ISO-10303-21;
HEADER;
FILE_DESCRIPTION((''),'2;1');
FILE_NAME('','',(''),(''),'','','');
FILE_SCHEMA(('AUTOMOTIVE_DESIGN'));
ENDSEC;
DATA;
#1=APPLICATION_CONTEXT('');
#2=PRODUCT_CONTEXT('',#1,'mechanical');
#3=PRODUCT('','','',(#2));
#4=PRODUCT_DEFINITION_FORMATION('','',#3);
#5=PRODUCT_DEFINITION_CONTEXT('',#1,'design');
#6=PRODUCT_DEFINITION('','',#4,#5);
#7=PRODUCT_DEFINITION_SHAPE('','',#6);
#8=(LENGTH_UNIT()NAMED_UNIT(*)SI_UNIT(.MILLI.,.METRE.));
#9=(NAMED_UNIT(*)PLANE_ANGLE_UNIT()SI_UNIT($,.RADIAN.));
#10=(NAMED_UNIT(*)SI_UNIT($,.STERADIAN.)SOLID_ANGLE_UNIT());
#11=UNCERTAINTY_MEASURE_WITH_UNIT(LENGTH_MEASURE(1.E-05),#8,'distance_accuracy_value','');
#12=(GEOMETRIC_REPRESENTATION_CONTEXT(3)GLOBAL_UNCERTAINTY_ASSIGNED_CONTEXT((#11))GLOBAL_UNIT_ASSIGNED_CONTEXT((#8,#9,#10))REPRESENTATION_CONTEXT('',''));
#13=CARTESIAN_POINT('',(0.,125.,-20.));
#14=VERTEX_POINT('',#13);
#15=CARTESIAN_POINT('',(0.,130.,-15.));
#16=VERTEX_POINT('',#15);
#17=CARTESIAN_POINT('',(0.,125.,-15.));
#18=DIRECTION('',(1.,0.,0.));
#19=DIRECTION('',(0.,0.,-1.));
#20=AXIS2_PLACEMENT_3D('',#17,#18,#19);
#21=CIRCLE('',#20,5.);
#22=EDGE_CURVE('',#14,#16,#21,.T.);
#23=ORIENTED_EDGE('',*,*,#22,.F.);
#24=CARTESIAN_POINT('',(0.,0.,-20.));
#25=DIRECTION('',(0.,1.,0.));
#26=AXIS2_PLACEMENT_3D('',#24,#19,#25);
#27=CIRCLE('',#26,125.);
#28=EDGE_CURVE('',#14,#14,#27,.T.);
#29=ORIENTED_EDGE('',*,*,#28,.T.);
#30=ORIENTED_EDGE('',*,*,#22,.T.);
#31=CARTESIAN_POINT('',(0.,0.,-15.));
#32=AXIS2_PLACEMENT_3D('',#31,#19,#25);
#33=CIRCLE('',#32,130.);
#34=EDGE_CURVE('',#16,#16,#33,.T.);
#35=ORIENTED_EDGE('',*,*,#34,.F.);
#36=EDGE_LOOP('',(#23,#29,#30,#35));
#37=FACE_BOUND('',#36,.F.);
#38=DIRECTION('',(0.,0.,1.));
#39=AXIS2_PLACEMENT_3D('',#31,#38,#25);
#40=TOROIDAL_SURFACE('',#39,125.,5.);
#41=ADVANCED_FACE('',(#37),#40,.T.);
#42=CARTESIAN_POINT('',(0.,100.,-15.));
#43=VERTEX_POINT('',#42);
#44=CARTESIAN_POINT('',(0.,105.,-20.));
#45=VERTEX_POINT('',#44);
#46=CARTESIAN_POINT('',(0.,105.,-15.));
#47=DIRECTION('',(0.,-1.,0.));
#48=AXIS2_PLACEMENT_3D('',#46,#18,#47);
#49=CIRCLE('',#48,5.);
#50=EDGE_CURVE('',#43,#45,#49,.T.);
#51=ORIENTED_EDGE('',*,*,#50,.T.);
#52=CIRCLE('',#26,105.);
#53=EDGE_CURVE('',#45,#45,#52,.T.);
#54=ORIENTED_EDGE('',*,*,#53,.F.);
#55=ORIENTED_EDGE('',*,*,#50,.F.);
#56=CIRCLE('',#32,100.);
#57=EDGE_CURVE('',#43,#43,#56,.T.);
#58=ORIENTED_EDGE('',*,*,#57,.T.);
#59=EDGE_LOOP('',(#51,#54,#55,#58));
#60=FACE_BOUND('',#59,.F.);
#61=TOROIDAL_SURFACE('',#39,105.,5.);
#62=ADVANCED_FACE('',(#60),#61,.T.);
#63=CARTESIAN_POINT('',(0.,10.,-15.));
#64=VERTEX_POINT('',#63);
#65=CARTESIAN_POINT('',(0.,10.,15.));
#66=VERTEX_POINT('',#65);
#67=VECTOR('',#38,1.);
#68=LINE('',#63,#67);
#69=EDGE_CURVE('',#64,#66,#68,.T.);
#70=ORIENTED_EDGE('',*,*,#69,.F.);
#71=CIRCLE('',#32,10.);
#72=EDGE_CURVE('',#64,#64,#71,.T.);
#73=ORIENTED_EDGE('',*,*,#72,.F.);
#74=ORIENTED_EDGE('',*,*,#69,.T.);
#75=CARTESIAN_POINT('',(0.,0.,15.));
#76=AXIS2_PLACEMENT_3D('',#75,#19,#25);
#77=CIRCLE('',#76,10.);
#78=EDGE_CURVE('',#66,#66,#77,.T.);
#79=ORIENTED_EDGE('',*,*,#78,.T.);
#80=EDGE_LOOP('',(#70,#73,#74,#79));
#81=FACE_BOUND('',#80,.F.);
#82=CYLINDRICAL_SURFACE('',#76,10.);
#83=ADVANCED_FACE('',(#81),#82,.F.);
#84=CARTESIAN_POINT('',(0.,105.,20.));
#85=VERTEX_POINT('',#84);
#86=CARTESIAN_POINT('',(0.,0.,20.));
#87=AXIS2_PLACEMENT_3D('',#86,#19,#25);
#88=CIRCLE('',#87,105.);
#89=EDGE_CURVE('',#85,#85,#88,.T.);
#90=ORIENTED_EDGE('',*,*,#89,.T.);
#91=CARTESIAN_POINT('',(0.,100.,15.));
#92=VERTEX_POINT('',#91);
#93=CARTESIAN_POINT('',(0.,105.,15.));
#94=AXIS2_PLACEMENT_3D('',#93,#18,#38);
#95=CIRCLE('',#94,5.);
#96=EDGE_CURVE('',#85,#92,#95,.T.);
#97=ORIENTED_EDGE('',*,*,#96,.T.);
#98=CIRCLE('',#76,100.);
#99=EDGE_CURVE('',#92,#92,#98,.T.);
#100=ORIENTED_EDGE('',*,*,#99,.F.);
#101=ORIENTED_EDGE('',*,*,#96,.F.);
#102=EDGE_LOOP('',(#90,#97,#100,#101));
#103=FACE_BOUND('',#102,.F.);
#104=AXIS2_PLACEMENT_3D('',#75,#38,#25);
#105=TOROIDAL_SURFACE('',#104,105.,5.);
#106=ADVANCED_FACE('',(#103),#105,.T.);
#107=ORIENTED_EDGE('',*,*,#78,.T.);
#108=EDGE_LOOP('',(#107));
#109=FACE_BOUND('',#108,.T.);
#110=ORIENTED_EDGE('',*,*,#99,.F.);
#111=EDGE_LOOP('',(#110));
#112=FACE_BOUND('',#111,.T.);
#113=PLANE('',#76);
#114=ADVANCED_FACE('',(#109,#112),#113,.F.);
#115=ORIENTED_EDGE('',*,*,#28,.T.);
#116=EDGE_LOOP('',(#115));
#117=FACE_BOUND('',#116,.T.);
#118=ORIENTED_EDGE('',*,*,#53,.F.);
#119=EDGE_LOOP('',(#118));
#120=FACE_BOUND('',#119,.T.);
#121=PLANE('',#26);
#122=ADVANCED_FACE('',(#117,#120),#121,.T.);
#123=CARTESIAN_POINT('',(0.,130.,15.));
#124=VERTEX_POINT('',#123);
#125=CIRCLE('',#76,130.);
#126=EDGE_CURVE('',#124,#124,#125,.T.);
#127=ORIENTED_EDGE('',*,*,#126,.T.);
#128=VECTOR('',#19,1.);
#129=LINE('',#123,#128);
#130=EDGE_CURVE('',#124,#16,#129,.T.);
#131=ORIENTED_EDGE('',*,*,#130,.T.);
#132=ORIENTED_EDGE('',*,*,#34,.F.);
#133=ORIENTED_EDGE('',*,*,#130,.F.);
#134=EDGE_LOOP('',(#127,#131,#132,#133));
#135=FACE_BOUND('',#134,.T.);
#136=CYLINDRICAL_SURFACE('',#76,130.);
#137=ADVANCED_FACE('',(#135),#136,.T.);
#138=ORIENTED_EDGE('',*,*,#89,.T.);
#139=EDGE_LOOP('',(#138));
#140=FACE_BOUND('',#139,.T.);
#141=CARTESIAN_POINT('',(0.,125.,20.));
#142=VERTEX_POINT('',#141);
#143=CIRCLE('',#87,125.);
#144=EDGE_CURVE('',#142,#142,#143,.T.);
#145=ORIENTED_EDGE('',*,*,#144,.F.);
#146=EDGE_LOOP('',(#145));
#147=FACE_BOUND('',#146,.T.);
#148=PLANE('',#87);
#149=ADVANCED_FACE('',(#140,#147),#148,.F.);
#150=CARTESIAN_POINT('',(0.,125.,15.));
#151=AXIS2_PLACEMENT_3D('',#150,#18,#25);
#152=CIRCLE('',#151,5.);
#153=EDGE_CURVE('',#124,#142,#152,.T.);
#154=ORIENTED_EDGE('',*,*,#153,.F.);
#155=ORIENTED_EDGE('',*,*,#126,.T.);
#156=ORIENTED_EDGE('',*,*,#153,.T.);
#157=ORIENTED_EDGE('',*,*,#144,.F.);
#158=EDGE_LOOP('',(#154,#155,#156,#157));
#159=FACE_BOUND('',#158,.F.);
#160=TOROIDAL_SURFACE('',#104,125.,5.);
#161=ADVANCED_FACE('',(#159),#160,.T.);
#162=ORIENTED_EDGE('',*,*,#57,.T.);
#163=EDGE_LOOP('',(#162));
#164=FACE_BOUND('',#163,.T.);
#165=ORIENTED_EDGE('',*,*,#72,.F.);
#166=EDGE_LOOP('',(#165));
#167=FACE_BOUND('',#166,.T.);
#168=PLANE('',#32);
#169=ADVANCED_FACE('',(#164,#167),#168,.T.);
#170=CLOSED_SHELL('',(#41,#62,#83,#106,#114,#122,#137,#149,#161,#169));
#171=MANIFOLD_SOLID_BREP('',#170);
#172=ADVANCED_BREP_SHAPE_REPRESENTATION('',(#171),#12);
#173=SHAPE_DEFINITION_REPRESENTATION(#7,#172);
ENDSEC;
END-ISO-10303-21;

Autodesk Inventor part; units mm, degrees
ref_plane "YZ Plane" through (0, 0, 0) normal (1, 0, 0) x (0, 1, 0)
ref_plane "XZ Plane" through (0, 0, 0) normal (0, 1, 0) x (-1, 0, 0)
ref_plane "XY Plane" through (0, 0, 0) normal (0, 0, 1) x (1, 0, 0)
sketch "Sketch1" plane through (0, 0, 0) normal (1, 0, 0) x (0, 1, 0)
  line L0 (0, 280.159) -> (0, -280.159)
  line L1 (0, 15) -> (100, 15)
  line L2 (100, 15) -> (100, 15)
  line L3 (105, 20) -> (125, 20)
  line L4 (130, 15) -> (130, -15)
  line L5 (125, -20) -> (105, -20)
  line L6 (100, -15) -> (100, -15)
  line L7 (100, -15) -> (0, -15)
  line L8 (0, 15) -> (0, -15)
  line L9 (0, 0) -> (130, 0)
  arc A0 (128, -20) -> (130, -18) centre (128, -18) ccw
  arc A1 (125, -20) -> (130, -15) centre (125, -15) ccw
  arc A2 (130, 15) -> (125, 20) centre (125, 15) ccw
  arc A3 (105, 20) -> (100, 15) centre (105, 15) ccw
  arc A4 (100, -15) -> (105, -20) centre (105, -15) ccw
  line L10 (10, 15) -> (10, -15)
  point P0 (130, 20)
  point P1 (130, -20)
  point P2 (100, -20)
  dimension "d0" = 560.3179
  dimension "d1" = 40
  dimension "d2" = 30
  dimension "d3" = 30
  dimension "d4" = 260
  dimension "d5" = 2
  dimension "d6" = 5
  dimension "d7" = 20
revolve "Revolution1" add sketch "Sketch1" angle 360 about axis through (0, 0, 280.159) along (0, 0, -1) contours L1 A3 L3 A2 L4 L9 L10 | L9 L4 A1 L5 A4 L7 L10
properties part number "wiel"
